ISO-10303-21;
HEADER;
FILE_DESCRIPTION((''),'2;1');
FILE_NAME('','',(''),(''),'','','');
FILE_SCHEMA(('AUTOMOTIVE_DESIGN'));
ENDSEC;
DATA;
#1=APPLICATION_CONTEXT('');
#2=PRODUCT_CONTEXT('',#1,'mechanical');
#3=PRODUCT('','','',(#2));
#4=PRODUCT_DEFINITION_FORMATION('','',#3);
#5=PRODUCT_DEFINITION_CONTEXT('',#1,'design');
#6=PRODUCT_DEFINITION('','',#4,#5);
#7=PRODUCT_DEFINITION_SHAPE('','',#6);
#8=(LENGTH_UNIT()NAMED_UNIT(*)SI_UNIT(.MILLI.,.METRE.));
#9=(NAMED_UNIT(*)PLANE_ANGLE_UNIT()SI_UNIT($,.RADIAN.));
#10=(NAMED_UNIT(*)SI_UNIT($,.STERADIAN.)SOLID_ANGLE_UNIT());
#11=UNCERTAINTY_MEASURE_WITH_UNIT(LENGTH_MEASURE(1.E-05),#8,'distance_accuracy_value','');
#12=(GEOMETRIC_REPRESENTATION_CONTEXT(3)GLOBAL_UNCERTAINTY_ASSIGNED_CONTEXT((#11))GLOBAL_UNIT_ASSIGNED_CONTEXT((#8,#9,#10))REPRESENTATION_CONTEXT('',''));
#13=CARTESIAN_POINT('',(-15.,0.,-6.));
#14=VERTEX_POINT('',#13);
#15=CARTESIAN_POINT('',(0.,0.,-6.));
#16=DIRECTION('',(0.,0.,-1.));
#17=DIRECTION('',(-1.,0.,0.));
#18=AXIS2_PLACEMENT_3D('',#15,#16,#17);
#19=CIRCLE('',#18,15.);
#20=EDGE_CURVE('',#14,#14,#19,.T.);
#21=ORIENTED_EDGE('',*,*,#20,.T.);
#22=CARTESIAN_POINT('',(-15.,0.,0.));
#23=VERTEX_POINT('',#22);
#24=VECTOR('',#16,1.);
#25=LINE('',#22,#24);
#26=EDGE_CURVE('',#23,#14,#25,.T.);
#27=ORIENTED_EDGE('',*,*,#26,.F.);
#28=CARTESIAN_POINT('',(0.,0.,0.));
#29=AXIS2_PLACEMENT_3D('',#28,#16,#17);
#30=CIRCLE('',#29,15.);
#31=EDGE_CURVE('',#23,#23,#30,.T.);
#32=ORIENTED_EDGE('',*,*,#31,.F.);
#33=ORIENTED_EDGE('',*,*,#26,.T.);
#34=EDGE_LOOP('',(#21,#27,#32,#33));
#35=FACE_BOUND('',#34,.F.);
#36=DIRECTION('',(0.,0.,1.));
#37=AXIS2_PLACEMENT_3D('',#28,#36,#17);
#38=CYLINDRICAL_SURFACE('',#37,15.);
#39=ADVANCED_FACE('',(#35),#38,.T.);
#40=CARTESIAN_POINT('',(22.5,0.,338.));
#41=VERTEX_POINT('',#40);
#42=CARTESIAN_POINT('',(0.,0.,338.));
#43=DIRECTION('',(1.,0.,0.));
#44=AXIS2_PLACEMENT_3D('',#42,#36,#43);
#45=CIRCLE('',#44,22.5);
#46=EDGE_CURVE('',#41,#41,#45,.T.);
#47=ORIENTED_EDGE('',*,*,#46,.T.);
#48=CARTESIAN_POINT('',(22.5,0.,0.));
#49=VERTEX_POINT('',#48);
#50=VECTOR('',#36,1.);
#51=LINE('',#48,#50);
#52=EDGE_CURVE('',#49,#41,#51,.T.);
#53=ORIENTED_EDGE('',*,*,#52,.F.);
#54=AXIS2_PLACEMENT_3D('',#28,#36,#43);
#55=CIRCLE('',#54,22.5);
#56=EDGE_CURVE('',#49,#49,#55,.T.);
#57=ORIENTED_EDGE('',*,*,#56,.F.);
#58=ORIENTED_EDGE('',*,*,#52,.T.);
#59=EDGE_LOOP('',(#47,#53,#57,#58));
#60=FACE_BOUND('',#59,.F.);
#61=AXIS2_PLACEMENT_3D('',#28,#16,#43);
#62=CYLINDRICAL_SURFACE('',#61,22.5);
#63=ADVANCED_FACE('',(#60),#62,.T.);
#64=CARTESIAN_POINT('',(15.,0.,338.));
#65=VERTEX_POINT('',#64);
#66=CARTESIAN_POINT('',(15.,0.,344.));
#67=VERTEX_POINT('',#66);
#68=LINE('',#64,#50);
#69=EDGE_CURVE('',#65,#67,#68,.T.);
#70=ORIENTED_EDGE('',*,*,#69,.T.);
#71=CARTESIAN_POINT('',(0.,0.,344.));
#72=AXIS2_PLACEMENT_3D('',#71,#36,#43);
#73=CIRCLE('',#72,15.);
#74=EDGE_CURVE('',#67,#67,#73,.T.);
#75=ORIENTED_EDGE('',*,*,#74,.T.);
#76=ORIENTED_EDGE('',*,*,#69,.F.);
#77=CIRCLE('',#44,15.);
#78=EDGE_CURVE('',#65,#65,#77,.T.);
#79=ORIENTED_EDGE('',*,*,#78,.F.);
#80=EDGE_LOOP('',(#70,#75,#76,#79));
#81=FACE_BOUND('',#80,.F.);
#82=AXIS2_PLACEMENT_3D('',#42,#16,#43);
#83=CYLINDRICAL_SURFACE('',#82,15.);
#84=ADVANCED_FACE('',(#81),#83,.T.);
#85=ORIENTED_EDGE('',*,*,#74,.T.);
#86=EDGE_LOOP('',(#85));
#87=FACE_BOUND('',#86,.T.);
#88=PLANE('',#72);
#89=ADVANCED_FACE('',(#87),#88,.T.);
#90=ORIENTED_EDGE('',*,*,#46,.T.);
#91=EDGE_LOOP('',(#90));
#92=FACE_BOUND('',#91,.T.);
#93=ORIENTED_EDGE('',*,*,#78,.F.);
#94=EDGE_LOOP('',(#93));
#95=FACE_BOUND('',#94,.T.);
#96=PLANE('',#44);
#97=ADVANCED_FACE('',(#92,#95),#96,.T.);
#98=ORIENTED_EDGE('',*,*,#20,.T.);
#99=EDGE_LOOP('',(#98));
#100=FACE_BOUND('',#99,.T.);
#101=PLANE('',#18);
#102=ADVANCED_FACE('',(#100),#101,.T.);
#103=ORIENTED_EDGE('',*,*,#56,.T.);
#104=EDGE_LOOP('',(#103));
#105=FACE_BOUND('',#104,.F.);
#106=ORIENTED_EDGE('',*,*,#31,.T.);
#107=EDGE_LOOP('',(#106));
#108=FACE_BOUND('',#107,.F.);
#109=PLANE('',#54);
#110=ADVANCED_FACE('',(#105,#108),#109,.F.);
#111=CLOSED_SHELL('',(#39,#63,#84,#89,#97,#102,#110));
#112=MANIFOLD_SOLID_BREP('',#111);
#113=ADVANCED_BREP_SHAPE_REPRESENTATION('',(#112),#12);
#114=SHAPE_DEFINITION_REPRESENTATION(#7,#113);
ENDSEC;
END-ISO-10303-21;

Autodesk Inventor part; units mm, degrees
ref_plane "YZ Plane" through (0, 0, 0) normal (1, 0, 0) x (0, 1, 0)
ref_plane "XZ Plane" through (0, 0, 0) normal (0, 1, 0) x (-1, 0, 0)
ref_plane "XY Plane" through (0, 0, 0) normal (0, 0, 1) x (1, 0, 0)
sketch "Skizze1" plane through (0, 0, 0) normal (0, 0, 1) x (1, 0, 0)
  circle A0 centre (0, 0) radius 22.5
  dimension "d0" = 45
extrude "Extrusion1" add sketch "Skizze1" along normal blind 338
sketch "Skizze2" plane through (0, 0, 338) normal (0, 0, 1) x (1, 0, 0)
  point P0 (0, 0)
sketch "Skizze3" plane through (0, 0, 338) normal (0, 0, 1) x (1, 0, 0)
  circle A0 centre (0, 0) radius 15
  dimension "d3" = 30
extrude "Extrusion2" add sketch "Skizze3" along normal blind 6
sketch "Skizze4" plane through (0, 0, 0) normal (0, 0, -1) x (-1, 0, 0)
  circle A0 centre (0, 0) radius 15
extrude "Extrusion3" add sketch "Skizze4" along normal blind 6
properties part number "Welle"
